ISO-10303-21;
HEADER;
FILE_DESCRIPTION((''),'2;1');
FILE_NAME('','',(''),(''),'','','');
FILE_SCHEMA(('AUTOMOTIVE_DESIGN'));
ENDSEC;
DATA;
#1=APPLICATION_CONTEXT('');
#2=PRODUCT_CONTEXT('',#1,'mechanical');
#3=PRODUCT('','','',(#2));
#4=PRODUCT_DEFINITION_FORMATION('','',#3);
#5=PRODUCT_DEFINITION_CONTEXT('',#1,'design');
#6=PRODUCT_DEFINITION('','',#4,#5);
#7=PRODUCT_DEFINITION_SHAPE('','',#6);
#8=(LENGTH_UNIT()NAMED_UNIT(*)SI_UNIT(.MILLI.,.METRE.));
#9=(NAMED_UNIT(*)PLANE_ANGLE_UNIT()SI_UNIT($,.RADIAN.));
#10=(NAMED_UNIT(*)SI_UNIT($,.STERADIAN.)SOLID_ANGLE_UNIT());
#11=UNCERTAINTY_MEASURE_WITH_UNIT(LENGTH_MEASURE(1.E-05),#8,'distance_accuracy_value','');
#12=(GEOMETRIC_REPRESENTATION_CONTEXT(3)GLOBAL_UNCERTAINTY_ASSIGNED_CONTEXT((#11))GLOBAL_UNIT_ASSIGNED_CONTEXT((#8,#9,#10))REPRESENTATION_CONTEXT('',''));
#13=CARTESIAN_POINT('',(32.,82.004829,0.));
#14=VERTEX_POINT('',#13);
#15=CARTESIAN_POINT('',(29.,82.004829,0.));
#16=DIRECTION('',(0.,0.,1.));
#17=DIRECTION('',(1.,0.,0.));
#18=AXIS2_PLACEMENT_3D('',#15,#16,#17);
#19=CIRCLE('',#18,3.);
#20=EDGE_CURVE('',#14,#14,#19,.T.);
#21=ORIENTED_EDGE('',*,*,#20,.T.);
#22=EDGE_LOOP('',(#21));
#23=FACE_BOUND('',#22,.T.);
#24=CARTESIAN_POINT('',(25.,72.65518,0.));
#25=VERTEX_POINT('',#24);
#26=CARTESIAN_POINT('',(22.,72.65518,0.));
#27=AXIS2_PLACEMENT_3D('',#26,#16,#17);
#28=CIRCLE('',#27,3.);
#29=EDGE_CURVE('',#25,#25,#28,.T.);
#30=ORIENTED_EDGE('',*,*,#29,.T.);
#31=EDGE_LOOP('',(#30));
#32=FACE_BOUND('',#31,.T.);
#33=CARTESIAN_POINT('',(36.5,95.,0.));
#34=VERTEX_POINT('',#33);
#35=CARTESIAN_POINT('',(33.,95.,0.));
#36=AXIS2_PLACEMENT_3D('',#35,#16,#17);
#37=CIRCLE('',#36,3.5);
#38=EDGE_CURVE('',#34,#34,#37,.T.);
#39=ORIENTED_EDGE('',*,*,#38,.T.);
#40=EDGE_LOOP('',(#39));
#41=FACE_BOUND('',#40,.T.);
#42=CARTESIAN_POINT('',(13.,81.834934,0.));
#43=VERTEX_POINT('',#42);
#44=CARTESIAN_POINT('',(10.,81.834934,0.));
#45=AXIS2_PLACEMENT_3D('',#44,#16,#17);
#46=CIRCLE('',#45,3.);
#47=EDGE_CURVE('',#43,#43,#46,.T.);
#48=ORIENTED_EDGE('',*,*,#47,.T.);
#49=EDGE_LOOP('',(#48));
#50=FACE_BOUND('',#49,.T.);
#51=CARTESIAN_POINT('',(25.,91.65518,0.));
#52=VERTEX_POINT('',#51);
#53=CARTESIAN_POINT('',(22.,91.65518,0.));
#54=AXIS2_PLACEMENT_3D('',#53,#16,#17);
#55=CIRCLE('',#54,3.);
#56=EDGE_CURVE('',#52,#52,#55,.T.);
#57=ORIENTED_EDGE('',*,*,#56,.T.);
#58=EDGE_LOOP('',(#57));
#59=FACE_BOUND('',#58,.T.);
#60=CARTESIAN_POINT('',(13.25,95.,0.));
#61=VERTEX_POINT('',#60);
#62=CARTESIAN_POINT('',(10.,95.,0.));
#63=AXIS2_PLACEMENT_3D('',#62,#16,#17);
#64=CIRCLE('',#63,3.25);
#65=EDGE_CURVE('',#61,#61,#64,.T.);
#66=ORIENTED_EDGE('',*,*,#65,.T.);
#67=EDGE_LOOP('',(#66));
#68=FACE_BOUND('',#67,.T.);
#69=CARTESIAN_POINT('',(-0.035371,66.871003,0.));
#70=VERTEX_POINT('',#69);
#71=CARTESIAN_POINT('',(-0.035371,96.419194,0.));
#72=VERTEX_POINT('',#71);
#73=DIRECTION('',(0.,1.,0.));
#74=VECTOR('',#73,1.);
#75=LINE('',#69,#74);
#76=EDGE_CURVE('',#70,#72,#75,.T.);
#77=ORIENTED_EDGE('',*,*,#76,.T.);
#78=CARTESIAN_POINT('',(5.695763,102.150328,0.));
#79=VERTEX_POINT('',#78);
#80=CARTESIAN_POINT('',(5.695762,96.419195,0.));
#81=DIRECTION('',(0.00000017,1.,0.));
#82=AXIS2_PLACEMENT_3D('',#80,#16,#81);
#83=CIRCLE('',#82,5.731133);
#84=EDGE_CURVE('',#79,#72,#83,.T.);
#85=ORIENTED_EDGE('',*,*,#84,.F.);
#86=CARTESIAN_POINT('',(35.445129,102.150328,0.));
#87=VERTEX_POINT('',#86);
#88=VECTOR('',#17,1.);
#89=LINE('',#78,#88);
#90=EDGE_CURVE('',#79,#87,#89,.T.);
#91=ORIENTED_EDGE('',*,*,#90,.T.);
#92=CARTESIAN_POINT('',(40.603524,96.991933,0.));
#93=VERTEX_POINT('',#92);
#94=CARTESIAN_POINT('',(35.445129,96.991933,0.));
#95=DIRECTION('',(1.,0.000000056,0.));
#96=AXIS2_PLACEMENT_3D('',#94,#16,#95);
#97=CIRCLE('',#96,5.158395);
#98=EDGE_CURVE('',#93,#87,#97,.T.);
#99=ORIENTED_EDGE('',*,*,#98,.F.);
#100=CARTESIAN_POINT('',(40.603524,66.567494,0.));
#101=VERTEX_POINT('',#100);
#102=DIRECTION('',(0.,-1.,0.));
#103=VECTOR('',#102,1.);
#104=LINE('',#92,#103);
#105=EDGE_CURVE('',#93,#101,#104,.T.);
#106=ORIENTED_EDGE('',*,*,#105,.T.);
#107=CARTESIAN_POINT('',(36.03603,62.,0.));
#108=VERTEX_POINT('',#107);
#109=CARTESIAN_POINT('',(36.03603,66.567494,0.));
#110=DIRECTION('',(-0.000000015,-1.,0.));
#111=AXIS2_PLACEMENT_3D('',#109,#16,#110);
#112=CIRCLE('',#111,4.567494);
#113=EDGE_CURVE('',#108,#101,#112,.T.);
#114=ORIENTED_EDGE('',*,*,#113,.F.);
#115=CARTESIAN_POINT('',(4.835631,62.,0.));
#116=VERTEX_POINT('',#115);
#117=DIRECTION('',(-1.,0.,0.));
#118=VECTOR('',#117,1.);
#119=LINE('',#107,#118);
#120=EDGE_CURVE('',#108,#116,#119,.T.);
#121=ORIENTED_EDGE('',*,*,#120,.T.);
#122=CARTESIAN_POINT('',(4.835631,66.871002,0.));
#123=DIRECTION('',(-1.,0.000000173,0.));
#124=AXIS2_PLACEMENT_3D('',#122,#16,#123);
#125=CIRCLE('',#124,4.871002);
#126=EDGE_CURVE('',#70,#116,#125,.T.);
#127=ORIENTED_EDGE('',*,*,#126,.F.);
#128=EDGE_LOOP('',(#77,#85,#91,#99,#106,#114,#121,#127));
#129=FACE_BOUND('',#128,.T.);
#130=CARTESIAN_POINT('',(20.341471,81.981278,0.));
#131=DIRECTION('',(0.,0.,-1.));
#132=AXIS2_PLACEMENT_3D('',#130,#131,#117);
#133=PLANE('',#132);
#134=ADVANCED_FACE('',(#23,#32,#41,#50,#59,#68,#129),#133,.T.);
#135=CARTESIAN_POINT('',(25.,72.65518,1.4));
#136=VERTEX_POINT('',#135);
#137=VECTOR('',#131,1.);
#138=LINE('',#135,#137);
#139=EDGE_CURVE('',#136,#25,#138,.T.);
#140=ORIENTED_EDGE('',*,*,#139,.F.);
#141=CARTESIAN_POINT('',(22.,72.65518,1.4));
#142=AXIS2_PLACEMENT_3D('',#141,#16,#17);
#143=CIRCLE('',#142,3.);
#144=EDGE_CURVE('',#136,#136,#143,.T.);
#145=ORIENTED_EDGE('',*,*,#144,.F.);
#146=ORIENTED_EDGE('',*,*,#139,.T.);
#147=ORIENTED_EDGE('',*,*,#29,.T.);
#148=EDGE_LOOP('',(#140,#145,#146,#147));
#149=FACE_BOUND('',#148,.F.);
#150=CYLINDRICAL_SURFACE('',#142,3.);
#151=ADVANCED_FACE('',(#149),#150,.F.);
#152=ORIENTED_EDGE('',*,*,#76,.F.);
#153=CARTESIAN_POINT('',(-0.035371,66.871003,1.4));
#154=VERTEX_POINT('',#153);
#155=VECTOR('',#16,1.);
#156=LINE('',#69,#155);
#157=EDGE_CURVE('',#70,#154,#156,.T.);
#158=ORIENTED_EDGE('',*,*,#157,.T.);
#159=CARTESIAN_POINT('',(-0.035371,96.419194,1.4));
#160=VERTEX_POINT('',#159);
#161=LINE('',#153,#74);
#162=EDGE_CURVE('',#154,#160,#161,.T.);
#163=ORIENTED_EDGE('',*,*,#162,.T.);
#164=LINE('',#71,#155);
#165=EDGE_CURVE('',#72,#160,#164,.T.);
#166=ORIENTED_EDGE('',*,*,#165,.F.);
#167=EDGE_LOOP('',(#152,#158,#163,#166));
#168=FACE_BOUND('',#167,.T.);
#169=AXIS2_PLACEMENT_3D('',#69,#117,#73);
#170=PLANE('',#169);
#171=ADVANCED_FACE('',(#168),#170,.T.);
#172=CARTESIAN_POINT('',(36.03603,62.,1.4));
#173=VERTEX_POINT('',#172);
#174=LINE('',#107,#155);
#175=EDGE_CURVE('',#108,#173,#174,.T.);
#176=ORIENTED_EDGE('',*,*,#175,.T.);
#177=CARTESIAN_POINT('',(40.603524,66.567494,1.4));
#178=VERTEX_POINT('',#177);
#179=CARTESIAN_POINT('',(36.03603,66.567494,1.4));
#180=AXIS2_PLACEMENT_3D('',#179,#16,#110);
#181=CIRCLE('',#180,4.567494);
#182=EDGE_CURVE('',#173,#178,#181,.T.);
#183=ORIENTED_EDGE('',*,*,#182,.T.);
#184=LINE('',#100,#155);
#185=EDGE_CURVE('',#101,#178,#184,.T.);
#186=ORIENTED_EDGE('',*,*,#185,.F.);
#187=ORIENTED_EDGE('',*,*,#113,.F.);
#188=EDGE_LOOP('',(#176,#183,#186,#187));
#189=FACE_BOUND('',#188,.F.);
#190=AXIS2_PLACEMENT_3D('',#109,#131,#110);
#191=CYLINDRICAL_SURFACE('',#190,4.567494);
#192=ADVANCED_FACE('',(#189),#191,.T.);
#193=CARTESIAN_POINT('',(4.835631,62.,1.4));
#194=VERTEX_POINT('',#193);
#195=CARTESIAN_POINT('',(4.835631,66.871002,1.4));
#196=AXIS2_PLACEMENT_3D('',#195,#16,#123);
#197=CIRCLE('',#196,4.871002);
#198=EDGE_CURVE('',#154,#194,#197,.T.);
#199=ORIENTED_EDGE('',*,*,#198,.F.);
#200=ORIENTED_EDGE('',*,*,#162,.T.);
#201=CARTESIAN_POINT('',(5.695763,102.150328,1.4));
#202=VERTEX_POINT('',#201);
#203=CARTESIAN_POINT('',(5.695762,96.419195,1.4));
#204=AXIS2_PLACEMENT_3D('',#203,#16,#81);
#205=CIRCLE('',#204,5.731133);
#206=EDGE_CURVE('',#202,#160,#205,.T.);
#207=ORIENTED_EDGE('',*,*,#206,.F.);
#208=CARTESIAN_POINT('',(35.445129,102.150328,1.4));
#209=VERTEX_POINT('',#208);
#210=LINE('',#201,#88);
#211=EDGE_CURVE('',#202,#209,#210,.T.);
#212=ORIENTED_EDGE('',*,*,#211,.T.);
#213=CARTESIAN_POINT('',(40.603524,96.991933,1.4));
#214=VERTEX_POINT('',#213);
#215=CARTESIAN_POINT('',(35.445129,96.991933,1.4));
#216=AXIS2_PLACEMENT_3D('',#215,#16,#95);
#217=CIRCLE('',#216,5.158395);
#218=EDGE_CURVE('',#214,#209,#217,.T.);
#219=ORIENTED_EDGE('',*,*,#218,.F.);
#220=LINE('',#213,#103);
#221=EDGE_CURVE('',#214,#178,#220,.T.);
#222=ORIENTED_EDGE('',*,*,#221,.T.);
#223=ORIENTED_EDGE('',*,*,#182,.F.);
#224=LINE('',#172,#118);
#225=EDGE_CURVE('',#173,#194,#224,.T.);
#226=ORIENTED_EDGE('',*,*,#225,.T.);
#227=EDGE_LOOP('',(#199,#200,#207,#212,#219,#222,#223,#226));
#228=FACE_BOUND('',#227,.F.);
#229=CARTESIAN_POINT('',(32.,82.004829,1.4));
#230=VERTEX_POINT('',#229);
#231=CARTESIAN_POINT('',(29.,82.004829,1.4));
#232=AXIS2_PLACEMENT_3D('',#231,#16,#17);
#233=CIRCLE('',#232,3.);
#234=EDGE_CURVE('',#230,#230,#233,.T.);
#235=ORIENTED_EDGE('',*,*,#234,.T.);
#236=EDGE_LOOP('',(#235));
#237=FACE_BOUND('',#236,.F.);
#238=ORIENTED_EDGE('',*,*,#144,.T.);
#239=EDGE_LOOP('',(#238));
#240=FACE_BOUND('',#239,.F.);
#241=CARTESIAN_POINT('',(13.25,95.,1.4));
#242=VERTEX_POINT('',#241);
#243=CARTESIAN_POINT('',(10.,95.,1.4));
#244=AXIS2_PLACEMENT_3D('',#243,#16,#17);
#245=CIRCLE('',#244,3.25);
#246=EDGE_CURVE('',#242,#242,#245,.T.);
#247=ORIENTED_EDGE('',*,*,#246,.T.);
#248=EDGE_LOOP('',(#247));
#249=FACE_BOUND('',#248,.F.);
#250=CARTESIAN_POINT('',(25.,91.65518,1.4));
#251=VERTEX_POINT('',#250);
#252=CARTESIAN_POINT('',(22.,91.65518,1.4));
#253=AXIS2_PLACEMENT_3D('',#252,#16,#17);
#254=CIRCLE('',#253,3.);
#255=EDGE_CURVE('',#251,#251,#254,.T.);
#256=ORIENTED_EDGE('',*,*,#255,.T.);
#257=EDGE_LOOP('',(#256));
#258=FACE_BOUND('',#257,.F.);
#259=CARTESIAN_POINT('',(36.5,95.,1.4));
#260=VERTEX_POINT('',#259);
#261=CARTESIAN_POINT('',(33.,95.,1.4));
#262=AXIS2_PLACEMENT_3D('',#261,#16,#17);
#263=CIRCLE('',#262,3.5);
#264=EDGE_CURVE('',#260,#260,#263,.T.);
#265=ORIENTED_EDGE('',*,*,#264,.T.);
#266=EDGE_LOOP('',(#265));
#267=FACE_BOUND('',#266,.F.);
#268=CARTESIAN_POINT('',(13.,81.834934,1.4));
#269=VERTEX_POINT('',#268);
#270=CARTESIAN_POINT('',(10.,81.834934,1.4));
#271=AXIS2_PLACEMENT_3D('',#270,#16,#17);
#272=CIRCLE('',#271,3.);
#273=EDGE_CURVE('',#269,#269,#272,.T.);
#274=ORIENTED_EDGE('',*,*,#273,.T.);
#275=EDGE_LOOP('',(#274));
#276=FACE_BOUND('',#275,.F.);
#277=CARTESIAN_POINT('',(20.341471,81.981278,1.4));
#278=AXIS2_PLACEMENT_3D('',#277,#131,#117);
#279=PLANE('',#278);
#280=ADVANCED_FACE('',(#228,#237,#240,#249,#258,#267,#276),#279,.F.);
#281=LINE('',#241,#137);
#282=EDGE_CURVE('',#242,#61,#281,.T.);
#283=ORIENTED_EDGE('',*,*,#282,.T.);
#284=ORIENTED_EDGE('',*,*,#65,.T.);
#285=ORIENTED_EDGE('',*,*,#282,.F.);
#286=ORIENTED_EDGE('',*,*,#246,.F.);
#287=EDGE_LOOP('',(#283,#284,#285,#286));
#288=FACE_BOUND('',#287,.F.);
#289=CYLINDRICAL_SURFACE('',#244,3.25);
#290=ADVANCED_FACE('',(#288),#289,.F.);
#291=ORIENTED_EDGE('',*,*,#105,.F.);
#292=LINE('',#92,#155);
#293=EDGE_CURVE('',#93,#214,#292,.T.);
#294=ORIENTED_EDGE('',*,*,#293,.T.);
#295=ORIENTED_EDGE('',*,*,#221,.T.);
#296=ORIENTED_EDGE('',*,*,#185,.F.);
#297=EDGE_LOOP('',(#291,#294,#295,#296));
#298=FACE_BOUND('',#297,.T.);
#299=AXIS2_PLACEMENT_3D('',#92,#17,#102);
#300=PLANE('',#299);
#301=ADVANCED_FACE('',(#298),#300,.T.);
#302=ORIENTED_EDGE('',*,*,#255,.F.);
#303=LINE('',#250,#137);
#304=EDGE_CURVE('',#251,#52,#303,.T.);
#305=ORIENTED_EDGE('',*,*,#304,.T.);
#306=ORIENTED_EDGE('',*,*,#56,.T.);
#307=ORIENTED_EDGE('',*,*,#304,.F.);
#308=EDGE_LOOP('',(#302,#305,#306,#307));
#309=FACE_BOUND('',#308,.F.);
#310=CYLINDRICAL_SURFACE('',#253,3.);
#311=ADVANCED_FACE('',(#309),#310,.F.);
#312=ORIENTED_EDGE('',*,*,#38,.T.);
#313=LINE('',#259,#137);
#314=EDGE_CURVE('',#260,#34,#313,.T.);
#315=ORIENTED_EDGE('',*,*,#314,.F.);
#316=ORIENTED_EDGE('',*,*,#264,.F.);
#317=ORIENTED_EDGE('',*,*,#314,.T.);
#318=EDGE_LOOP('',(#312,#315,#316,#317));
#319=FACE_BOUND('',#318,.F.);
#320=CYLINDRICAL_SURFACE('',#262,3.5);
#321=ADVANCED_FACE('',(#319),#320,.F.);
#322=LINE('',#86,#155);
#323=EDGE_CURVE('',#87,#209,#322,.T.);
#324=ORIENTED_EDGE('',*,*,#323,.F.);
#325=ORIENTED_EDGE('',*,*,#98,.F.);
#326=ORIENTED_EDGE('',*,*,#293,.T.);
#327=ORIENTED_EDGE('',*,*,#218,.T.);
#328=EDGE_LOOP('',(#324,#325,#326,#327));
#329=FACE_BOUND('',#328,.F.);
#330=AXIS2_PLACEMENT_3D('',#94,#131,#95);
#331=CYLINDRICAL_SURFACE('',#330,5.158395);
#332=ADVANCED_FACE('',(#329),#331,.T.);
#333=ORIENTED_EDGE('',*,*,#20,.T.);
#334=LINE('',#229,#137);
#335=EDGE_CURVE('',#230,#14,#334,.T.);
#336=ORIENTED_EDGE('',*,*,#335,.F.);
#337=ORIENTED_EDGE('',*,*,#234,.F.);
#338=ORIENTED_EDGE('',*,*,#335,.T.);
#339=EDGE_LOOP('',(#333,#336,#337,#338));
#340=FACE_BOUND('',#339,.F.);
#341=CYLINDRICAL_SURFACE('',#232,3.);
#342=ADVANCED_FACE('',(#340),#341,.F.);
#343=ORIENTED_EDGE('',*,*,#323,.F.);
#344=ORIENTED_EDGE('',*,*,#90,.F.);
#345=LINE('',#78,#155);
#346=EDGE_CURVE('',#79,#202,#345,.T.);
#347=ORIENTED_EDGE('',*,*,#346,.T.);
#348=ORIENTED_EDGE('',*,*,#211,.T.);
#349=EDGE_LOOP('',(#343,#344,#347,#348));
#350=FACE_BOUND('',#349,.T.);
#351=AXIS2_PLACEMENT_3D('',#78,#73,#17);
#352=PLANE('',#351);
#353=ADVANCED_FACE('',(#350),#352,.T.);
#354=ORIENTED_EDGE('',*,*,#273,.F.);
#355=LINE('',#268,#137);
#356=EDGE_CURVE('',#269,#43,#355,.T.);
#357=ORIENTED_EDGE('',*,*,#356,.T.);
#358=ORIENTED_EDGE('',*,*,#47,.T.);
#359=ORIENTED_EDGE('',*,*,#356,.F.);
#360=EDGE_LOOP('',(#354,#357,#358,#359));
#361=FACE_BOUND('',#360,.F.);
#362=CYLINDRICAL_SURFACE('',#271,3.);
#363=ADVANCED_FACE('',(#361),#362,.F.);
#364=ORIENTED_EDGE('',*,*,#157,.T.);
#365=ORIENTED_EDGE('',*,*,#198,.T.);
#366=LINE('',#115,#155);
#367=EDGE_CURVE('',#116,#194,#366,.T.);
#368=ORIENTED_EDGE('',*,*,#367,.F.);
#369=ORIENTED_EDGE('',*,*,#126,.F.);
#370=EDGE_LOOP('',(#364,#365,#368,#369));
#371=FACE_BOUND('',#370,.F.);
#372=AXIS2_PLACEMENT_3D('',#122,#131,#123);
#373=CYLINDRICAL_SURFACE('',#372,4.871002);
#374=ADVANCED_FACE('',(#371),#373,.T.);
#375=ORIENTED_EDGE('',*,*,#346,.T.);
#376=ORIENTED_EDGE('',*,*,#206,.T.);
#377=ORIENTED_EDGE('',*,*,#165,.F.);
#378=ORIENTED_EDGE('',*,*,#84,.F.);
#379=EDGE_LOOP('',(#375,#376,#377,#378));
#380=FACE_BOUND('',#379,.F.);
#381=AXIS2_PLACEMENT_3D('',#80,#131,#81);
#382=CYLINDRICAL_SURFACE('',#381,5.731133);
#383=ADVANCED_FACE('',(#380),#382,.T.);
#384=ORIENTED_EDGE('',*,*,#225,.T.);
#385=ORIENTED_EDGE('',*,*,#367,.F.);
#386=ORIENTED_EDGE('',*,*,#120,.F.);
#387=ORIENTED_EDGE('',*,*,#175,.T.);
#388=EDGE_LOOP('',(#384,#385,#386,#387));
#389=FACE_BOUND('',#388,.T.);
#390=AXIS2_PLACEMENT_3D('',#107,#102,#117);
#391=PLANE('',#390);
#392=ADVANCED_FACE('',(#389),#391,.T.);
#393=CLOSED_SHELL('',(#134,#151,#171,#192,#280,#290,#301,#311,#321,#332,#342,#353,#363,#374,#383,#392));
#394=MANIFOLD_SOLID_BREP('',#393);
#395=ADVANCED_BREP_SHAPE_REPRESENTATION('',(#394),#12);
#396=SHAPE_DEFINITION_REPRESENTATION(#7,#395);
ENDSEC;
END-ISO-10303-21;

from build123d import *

# Parameters (mm, degrees)
PAD002_DEPTH    = 1.4
SKETCH004_R     = 3
POCKET001_DEPTH = 1.401
SKETCH006_R     = 3
POCKET002_DEPTH = 1.401
SKETCH007_R     = 3.5
POCKET003_DEPTH = 1.401
SKETCH008_R     = 3.25
POCKET004_DEPTH = 1.401


with BuildPart() as part:
    # Sketch003 → Pad002 (new body)
    with BuildSketch(Plane.XY):
        with BuildLine():
            Line((5.695763, -19.849672), (35.445129, -19.849672))
            ThreePointArc((40.603524, -25.008067), (39.092665, -21.360531), (35.445129, -19.849672))
            Line((40.603524, -25.008067), (40.603524, -55.432506))
            ThreePointArc((36.03603, -60), (39.265736, -58.662212), (40.603524, -55.432506))
            Line((36.03603, -60), (4.835631, -60))
            ThreePointArc((-0.035371, -55.128997), (1.391312, -58.573316), (4.835631, -60))
            Line((-0.035371, -55.128997), (-0.035371, -25.580806))
            ThreePointArc((5.695763, -19.849672), (1.643239, -21.528282), (-0.035371, -25.580806))
        make_face()
    extrude(amount=PAD002_DEPTH)

    # Sketch004 (on Face10 of Pad002) → Pocket001 (cut, through all)
    with BuildSketch(Plane.XY.offset(1.4)):
        with Locations((22, -49.34482)):
            Circle(SKETCH004_R)
        with Locations((22, -30.34482)):
            Circle(SKETCH004_R)
    extrude(amount=-POCKET001_DEPTH, mode=Mode.SUBTRACT)

    # Sketch006 (on Face5 of Pocket001) → Pocket002 (cut, through all)
    with BuildSketch(Plane.XY.offset(1.4)):
        with Locations((10, -40.165066)):
            Circle(SKETCH006_R)
        with Locations((29, -39.995171)):
            Circle(SKETCH006_R)
    extrude(amount=-POCKET002_DEPTH, mode=Mode.SUBTRACT)

    # Sketch007 (on Face5 of Pocket002) → Pocket003 (cut, through all)
    with BuildSketch(Plane.XY.offset(1.4)):
        with Locations((33, -27)):
            Circle(SKETCH007_R)
    extrude(amount=-POCKET003_DEPTH, mode=Mode.SUBTRACT)

    # Sketch008 (on Face5 of Pocket003) → Pocket004 (cut, through all)
    with BuildSketch(Plane.XY.offset(1.4)):
        with Locations((10, -27)):
            Circle(SKETCH008_R)
    extrude(amount=-POCKET004_DEPTH, mode=Mode.SUBTRACT)


with BuildPart() as part_1:
    # Body002 placement: moved
    add(part.part.moved(Location((0, 122, 0))))


solid = part_1.part
